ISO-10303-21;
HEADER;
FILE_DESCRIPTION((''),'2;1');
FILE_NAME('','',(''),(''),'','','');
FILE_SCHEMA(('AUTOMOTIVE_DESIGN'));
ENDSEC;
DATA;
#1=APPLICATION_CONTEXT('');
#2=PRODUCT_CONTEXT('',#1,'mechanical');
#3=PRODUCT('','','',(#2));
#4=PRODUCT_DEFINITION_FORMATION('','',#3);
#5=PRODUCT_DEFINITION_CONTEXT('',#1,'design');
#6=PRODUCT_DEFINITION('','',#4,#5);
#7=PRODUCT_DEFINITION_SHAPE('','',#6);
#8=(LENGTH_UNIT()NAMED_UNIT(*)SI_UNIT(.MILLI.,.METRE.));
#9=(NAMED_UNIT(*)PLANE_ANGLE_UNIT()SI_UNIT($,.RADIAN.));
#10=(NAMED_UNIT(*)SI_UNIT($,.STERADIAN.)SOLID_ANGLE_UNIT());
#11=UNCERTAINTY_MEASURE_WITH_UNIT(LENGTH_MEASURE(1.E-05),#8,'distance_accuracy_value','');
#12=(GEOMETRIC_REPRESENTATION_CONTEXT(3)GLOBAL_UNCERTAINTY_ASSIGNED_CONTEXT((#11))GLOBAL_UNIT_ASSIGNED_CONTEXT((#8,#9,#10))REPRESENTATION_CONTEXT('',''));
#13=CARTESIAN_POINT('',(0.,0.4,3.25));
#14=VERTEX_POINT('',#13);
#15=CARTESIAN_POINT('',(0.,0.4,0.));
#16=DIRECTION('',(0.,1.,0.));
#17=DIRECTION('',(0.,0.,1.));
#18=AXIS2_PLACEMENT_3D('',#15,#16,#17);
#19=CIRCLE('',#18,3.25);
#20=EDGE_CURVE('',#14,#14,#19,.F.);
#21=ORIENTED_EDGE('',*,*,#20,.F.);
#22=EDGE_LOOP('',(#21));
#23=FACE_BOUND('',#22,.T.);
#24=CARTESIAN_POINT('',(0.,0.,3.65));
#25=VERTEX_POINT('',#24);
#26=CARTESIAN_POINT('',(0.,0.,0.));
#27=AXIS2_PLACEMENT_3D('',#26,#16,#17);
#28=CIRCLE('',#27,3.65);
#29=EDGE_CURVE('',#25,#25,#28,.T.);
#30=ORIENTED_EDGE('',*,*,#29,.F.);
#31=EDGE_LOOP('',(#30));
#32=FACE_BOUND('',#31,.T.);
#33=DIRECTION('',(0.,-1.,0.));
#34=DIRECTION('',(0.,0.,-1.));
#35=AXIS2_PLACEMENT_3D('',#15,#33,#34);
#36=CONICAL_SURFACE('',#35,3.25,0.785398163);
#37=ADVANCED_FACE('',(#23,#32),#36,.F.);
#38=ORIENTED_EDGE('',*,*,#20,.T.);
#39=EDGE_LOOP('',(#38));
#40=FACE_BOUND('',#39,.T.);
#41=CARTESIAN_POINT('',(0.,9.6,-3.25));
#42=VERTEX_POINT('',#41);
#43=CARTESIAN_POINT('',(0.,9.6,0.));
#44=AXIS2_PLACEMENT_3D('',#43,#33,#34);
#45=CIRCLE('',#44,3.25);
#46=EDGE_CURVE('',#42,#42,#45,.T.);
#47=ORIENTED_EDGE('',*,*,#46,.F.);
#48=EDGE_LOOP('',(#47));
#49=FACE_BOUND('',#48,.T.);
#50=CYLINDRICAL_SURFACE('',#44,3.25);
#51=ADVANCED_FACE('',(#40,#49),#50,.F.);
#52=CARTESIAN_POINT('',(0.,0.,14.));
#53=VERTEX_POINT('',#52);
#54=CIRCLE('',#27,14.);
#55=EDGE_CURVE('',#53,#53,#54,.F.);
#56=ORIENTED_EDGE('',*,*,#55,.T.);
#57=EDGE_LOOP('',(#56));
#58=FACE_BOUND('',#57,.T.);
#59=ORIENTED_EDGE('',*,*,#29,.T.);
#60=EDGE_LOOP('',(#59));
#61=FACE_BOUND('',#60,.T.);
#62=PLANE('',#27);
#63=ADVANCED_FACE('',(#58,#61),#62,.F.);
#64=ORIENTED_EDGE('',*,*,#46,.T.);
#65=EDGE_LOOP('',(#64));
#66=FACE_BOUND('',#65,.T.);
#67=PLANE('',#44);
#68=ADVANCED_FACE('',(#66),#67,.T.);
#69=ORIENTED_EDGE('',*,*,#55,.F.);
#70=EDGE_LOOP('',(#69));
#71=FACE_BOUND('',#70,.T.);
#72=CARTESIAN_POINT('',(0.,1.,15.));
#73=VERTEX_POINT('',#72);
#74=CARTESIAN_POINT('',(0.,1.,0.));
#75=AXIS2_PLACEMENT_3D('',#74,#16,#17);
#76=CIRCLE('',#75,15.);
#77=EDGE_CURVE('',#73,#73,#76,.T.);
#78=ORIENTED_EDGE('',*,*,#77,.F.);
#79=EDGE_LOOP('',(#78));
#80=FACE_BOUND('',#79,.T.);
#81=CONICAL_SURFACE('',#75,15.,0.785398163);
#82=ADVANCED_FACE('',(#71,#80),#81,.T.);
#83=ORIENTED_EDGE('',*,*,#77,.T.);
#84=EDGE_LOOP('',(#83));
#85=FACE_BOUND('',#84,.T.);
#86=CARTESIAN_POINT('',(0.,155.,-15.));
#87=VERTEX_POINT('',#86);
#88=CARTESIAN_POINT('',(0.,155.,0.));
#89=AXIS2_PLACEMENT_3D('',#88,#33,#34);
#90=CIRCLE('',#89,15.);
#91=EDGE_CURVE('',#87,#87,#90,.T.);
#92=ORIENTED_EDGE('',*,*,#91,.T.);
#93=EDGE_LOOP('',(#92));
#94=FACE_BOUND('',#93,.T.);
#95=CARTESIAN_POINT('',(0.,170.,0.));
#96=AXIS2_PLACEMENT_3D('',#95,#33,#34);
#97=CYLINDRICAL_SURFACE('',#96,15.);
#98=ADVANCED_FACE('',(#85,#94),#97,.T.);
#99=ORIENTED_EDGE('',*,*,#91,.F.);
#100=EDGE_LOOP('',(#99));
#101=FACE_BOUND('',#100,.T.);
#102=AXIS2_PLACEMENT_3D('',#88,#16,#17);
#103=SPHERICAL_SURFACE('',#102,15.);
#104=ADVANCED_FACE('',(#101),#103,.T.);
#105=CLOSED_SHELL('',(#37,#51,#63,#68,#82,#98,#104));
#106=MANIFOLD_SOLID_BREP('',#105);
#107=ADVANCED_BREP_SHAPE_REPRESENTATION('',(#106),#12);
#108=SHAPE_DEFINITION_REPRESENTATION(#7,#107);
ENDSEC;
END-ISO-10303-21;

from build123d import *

# Parameters (mm, degrees)
SKETCH1_R           = 15
BOSS_EXTRUDE1_DEPTH = 170
FILLET1_R           = 15
SKETCH2_R           = 3.25
CUT_EXTRUDE1_DEPTH  = 9.6
CHAMFER1_SIZE       = 0.4
CHAMFER2_SIZE       = 1


with BuildPart() as part:
    # Sketch1 → Boss-Extrude1 (new body)
    with BuildSketch(Plane(origin=(0, 0, 0), x_dir=(1, 0, 0), z_dir=(0, 1, 0))):
        with Locations(Location((0, 0, 0), (0, 0, 270))):
            Circle(SKETCH1_R)
    extrude(amount=BOSS_EXTRUDE1_DEPTH)

    # Fillet1
    fillet1_edges = [part.edges().sort_by_distance(p)[0] for p in [
        (0, 170, -15),
    ]]
    fillet(fillet1_edges, radius=FILLET1_R)

    # Sketch2 → Cut-Extrude1 (cut)
    with BuildSketch(Plane.XZ):
        with Locations(Location((0, 0, 0), (0, 0, 270))):
            Circle(SKETCH2_R)
    extrude(amount=-CUT_EXTRUDE1_DEPTH, mode=Mode.SUBTRACT)

    # Chamfer1
    chamfer1_edges = [part.edges().sort_by_distance(p)[0] for p in [
        (0, 0, 3.25),
    ]]
    chamfer(chamfer1_edges, length=CHAMFER1_SIZE)

    # Chamfer2
    chamfer2_edges = [part.edges().sort_by_distance(p)[0] for p in [
        (0, 0, -15),
    ]]
    chamfer(chamfer2_edges, length=CHAMFER2_SIZE)


solid = part.part
